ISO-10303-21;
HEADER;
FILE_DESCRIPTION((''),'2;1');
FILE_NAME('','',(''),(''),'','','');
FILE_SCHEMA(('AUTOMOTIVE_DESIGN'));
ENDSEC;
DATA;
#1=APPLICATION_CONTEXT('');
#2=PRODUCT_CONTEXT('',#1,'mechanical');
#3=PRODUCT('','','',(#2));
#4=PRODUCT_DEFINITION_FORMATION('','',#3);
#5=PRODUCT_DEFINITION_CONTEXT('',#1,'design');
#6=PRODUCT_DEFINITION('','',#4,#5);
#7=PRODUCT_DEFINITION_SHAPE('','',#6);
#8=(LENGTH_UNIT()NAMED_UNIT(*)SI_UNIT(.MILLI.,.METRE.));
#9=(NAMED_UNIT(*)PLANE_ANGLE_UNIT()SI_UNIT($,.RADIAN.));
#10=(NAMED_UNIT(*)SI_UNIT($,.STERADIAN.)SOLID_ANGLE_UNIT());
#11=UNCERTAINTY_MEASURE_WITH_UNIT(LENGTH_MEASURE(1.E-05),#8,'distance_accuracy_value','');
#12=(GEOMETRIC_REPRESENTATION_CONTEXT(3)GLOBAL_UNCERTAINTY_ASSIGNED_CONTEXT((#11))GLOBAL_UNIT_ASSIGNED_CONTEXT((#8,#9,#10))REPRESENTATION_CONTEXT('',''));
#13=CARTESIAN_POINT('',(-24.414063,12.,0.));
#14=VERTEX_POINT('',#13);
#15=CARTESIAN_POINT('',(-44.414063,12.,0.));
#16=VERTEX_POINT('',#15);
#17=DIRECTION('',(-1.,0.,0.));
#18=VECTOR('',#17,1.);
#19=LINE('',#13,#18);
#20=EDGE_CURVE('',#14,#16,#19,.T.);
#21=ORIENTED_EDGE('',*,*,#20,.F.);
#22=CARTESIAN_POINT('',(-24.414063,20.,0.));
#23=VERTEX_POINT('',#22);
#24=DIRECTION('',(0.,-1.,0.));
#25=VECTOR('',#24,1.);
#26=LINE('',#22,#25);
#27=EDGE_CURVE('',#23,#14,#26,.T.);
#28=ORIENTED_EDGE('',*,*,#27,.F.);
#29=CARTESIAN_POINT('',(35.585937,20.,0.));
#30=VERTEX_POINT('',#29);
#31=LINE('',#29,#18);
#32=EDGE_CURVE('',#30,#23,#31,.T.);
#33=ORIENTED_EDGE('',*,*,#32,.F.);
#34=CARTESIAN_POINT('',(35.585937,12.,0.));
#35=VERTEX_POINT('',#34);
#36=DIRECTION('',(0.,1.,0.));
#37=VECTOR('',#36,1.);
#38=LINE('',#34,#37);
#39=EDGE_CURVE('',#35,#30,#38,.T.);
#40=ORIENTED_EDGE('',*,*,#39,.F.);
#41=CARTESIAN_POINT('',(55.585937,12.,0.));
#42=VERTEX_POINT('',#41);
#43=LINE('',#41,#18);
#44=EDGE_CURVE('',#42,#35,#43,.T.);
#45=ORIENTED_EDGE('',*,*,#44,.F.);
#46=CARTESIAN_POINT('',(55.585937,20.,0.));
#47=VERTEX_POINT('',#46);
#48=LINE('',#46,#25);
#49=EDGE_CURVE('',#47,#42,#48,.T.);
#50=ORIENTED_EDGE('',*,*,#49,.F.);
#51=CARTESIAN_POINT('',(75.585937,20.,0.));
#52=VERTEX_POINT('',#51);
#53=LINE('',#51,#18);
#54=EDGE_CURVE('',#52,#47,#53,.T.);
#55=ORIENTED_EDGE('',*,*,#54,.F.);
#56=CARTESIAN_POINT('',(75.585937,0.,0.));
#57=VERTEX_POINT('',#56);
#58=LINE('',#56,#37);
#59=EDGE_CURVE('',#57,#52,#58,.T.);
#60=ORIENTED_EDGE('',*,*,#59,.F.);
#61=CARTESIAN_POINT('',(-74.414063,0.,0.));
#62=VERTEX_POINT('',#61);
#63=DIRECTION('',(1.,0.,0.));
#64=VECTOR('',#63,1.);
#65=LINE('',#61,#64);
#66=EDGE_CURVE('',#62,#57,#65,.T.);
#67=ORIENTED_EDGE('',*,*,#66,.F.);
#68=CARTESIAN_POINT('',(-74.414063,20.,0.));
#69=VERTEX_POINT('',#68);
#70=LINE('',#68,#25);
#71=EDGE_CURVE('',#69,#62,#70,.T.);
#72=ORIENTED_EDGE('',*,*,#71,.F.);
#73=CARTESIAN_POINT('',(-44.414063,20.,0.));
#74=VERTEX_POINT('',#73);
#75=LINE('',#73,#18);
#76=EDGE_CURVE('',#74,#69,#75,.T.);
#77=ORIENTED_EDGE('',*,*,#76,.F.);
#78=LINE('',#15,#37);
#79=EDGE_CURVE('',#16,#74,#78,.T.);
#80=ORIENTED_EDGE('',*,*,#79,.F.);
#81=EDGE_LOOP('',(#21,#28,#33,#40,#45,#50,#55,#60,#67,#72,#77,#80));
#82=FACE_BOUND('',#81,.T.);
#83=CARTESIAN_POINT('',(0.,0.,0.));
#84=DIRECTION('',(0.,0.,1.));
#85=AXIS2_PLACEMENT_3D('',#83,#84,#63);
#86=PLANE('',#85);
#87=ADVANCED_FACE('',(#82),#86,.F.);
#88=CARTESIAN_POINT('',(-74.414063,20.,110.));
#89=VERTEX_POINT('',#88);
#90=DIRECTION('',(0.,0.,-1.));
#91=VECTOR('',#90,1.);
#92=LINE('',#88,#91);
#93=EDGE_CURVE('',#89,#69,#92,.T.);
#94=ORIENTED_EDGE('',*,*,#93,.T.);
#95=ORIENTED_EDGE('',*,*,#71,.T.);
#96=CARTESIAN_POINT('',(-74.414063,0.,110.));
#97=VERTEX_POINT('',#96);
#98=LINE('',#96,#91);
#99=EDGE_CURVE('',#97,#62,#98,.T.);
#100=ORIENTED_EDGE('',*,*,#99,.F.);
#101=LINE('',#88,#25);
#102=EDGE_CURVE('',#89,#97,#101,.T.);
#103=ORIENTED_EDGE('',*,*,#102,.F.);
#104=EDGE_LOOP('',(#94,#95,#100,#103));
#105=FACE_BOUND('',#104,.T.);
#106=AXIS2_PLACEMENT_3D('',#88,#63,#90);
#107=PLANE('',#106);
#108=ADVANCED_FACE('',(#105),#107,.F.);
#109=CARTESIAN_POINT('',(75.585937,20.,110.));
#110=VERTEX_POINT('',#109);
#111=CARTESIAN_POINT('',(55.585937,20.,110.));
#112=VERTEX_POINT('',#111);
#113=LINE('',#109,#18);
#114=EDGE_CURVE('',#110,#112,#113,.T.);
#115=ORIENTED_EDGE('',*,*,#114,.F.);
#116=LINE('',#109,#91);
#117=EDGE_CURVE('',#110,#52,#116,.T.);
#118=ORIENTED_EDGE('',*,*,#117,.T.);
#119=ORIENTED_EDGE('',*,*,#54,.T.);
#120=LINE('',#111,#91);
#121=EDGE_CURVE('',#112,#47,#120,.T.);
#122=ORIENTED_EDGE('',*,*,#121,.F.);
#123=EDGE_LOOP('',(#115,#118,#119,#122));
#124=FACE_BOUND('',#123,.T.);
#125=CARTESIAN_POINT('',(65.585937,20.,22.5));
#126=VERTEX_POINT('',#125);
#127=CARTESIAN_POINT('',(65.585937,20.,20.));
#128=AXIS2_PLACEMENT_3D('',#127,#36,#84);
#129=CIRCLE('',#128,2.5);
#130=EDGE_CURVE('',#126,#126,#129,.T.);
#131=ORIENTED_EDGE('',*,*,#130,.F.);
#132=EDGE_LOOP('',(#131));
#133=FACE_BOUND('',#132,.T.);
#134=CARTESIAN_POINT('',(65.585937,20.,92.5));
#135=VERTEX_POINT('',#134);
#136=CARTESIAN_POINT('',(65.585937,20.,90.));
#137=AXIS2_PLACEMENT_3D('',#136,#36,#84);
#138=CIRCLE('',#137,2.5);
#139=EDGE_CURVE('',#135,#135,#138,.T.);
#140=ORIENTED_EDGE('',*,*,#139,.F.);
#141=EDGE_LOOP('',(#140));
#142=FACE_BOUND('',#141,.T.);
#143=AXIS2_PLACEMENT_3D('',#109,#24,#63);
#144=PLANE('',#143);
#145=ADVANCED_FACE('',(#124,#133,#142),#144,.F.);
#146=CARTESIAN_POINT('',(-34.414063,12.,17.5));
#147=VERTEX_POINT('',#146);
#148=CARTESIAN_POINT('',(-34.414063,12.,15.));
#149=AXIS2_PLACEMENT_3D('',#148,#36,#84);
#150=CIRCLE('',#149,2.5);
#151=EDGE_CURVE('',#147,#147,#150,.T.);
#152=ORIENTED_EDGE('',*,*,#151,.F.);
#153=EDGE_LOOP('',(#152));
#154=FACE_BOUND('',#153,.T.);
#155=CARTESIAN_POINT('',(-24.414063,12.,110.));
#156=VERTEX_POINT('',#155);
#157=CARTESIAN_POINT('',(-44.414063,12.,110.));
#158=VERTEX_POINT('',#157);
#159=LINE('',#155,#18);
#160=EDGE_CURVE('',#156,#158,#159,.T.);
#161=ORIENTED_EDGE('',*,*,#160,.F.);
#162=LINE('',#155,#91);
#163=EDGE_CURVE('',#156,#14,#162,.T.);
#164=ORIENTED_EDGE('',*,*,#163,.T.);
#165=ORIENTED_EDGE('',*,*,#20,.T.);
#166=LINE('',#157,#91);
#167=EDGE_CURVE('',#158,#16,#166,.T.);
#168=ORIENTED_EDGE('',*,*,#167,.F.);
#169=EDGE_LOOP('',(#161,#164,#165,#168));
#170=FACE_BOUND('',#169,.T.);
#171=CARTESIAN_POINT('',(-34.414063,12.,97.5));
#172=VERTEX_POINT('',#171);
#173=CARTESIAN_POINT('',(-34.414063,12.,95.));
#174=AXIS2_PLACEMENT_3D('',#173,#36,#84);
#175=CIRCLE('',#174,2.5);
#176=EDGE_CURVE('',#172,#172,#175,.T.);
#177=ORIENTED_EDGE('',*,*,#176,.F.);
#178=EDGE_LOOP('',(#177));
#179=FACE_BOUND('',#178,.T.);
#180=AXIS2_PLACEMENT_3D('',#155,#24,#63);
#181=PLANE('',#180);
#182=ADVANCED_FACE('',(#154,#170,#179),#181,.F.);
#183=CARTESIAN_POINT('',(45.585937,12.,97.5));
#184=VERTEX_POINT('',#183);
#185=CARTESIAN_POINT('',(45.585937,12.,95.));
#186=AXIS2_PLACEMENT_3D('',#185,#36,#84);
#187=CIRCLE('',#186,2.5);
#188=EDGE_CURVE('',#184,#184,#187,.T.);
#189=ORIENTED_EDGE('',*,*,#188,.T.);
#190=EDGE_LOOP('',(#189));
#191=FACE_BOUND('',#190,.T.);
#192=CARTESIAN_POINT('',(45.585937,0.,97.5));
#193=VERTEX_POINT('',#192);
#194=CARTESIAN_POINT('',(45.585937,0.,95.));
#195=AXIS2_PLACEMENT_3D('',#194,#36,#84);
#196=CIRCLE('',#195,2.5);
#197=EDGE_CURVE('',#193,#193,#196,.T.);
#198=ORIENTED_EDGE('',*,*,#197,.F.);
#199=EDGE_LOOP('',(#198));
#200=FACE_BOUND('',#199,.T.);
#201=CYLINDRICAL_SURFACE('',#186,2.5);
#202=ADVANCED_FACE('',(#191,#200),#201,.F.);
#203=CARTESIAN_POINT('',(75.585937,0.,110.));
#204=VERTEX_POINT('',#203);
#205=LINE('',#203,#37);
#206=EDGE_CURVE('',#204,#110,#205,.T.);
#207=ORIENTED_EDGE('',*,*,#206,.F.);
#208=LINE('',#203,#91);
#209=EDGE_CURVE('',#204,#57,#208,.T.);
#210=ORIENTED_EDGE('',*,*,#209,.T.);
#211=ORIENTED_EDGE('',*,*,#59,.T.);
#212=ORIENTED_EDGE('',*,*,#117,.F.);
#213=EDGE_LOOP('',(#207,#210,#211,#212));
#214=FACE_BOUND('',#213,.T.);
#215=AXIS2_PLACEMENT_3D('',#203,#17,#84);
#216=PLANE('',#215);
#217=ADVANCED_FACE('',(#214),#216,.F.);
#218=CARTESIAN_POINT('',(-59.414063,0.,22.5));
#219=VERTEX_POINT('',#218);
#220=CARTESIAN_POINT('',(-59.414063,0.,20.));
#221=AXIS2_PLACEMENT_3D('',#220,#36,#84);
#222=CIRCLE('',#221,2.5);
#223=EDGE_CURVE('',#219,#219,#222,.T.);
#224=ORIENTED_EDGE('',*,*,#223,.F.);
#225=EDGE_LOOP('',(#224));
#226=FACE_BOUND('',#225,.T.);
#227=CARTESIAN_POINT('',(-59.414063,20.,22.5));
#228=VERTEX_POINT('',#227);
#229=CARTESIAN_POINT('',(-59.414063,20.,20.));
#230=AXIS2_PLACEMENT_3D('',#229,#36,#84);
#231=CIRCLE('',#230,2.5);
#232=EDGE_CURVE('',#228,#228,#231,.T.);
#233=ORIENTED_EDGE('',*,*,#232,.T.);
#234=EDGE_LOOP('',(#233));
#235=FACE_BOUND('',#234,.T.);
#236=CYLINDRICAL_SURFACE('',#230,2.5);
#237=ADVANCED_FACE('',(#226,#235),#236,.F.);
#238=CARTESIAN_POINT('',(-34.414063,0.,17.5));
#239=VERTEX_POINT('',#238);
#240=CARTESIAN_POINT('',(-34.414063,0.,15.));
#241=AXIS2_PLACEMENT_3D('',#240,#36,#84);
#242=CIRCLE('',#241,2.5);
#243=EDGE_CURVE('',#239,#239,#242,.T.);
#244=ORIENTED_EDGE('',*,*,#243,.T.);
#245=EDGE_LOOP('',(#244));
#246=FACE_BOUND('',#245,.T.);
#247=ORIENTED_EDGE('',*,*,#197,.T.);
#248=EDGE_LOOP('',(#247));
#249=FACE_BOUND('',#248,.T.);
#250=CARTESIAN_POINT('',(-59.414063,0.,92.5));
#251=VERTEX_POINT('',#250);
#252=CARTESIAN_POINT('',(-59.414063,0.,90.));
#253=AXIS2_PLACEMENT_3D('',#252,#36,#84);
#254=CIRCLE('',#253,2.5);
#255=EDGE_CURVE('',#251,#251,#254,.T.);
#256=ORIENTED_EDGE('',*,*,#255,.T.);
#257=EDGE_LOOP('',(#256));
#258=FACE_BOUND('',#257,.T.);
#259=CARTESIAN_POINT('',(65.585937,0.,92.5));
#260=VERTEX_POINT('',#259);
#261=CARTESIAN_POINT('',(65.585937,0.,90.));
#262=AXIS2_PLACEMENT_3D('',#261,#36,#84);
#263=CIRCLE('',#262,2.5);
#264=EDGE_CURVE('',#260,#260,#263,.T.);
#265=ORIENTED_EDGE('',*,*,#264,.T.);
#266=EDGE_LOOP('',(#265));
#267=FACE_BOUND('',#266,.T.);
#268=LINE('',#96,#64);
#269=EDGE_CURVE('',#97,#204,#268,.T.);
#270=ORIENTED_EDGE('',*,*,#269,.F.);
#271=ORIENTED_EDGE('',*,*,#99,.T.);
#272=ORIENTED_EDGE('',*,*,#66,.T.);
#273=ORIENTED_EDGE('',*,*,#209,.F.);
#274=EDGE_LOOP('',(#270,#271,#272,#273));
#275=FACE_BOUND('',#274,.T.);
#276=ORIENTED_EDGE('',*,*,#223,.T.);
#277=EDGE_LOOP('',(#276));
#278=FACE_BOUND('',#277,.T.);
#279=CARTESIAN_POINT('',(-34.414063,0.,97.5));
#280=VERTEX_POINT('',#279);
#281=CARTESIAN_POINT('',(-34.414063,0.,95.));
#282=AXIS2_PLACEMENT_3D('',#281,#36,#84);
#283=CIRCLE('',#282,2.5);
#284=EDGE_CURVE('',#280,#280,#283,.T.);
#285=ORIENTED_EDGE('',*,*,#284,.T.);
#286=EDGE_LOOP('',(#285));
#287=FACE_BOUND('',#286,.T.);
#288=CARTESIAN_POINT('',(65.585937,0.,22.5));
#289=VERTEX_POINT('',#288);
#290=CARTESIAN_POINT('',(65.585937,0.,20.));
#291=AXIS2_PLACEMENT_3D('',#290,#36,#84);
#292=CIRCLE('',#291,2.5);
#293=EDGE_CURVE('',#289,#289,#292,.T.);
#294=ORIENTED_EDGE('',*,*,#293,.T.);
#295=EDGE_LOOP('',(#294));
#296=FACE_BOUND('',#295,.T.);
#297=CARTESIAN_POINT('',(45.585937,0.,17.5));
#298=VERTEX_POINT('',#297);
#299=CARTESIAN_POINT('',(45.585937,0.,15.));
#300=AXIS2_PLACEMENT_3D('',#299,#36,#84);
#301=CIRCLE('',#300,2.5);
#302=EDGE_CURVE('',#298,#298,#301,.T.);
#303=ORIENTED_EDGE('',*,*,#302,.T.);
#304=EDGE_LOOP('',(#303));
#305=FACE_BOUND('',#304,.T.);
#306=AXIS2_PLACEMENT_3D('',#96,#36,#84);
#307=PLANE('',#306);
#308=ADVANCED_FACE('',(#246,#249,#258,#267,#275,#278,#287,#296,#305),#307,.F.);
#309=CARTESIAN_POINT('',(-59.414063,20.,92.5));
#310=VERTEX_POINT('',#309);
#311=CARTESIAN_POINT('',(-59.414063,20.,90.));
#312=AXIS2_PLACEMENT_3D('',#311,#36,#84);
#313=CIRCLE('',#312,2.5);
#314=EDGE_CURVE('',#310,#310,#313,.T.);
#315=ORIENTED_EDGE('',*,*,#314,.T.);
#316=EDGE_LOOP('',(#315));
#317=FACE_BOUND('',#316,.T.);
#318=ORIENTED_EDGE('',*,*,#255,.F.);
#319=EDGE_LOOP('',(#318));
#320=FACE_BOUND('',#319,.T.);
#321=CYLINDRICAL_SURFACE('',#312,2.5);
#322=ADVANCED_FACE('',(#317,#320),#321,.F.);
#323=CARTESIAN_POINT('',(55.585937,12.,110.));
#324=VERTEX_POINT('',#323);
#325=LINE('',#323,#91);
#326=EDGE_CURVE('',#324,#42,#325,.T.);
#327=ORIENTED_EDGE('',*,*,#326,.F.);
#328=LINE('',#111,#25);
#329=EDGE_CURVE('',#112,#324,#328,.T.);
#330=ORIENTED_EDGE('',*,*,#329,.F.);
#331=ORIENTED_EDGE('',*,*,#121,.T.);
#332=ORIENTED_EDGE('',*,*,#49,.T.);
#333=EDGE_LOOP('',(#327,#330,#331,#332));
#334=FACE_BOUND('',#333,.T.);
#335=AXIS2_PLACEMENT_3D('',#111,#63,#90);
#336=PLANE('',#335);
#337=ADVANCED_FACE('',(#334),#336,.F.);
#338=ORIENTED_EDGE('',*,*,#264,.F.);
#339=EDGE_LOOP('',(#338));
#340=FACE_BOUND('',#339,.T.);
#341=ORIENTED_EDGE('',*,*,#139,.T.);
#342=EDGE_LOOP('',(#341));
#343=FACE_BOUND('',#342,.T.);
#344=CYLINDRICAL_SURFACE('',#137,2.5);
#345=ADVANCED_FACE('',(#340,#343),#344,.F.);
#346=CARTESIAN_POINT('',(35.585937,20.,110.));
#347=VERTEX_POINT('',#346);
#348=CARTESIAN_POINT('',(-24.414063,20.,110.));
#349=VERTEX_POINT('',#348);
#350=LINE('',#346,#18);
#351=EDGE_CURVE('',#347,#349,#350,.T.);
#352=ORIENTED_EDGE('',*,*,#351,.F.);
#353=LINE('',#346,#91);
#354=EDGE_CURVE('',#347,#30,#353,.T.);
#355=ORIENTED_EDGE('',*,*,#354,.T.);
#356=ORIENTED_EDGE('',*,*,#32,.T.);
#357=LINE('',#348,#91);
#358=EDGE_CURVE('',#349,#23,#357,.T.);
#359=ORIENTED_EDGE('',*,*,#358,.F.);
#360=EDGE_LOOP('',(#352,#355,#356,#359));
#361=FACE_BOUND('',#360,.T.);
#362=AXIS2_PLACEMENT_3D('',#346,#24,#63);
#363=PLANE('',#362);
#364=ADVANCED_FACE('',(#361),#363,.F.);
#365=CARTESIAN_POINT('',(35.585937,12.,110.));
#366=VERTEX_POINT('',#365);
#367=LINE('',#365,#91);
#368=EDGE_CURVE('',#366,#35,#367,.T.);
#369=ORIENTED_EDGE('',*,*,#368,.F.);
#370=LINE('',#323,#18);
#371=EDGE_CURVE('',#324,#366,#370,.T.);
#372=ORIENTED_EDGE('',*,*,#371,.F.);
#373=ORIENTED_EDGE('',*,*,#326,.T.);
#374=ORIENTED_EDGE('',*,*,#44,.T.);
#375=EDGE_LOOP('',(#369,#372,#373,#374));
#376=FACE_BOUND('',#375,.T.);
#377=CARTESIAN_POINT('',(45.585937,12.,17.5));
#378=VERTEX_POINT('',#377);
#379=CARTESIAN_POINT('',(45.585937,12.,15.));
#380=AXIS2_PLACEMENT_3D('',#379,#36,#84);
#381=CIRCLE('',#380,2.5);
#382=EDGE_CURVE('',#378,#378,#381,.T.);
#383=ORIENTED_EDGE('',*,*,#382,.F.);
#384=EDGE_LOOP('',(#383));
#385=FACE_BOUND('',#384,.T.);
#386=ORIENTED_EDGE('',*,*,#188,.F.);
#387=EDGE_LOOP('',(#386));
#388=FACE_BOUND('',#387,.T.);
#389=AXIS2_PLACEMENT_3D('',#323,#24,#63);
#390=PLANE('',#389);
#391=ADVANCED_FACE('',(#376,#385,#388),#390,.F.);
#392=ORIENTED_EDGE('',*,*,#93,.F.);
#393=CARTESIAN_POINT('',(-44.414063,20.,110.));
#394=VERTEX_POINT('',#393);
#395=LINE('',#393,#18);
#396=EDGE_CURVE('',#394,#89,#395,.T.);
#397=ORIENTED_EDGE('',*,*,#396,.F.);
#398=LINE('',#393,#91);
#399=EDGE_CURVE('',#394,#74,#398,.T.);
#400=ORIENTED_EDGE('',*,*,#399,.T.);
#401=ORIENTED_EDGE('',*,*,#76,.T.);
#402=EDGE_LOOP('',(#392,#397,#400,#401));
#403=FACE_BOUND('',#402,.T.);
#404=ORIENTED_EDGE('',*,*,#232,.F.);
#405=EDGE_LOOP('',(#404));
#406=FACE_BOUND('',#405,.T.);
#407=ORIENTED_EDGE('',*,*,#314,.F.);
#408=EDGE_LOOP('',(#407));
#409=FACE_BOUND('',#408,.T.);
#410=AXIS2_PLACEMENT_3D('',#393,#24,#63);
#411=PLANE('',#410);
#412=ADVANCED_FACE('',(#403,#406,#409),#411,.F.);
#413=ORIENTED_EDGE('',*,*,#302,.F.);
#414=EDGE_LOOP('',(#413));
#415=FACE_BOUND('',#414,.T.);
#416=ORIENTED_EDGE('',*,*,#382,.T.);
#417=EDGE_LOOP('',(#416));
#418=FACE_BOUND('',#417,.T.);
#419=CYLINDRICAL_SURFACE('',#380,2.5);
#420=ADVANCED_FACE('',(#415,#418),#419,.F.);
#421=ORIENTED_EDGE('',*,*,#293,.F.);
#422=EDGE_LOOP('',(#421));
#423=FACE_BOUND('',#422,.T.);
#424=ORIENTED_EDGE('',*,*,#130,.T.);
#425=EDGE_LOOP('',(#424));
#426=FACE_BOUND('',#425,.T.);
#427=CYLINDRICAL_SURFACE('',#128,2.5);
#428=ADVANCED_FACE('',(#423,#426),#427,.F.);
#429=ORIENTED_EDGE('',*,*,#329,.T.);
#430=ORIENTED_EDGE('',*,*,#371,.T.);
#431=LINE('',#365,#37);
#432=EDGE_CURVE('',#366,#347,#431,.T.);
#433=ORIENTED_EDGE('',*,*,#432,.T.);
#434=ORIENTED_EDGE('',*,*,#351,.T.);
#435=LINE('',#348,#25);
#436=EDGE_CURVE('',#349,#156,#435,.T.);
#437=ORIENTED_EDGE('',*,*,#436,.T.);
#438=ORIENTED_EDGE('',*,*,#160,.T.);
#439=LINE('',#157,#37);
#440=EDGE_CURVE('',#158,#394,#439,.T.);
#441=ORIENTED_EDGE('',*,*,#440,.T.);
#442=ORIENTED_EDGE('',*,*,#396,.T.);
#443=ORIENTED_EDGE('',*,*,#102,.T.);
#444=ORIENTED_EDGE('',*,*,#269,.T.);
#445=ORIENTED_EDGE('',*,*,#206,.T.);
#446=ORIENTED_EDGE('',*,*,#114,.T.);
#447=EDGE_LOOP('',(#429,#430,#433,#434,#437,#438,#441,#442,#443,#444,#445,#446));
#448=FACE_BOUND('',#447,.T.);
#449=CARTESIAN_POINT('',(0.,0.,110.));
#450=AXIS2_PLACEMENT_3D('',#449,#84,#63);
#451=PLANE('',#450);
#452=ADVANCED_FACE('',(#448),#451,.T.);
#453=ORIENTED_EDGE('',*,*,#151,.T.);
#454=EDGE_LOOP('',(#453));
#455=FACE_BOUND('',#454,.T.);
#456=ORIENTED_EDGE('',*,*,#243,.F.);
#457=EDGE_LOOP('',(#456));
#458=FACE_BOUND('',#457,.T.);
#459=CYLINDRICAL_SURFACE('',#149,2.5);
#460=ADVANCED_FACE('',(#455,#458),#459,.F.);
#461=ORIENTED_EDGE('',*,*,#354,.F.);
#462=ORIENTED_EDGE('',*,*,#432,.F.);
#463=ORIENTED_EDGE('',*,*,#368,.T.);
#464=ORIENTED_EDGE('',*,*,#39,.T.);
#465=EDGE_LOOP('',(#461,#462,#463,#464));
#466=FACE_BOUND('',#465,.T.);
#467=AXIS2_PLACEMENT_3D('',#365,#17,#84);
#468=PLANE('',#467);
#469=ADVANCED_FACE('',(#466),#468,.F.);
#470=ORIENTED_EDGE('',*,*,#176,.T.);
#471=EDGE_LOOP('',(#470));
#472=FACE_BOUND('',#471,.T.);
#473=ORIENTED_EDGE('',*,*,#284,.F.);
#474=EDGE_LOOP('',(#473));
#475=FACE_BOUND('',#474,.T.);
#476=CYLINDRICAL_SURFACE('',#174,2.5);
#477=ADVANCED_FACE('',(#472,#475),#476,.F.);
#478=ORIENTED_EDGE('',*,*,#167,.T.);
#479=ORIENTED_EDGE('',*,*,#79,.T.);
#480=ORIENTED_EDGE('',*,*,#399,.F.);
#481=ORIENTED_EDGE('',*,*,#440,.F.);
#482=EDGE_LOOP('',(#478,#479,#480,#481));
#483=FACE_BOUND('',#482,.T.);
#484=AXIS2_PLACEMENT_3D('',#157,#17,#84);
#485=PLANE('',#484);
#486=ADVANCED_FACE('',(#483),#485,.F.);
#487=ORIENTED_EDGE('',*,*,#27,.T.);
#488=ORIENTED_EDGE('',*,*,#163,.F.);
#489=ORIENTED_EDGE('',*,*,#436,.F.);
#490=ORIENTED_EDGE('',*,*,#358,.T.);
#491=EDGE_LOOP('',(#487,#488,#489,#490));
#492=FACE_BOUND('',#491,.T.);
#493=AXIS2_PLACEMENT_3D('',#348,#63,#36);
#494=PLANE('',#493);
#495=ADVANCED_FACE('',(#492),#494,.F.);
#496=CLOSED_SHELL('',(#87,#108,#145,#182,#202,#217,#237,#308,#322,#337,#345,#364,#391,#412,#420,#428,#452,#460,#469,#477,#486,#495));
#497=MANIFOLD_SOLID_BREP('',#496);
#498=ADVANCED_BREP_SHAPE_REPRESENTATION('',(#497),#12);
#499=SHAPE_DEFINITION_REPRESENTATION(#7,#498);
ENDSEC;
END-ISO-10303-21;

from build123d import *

# Parameters (mm, degrees)
BOSS_EXTRUDE1_DEPTH       = 110
F_5_0MM_DOWEL_HOLE1_D     = 5
F_5_0MM_DOWEL_HOLE2_D     = 5
F_5_0MM_DOWEL_HOLE2_DEPTH = 12


with BuildPart() as part:
    # Sketch1 → Boss-Extrude1 (new body)
    with BuildSketch(Plane.XY):
        Polygon((-74.4140625, 0), (75.5859375, 0), (75.5859375, 20), (55.5859375, 20), (55.5859375, 12), (35.5859375, 12), (35.5859375, 20), (-24.4140625, 20), (-24.4140625, 12), (-44.4140625, 12), (-44.4140625, 20), (-74.4140625, 20), align=None)
    extrude(amount=BOSS_EXTRUDE1_DEPTH)

    # Ø5.0mm Dowel Hole1 (through all)
    with Locations(Plane(origin=(-59.4140625, 20, 20), x_dir=(1, 0, 0), z_dir=(0, 1, 0))):
        with Locations((0, 0), (0, -70), (125, 0), (125, -70)):
            Hole(F_5_0MM_DOWEL_HOLE1_D / 2)

    # Ø5.0mm Dowel Hole2
    with Locations(Plane(origin=(-34.4140625, 12, 15), x_dir=(1, 0, 0), z_dir=(0, 1, 0))):
        with Locations((0, 0), (0, -80), (80, 0), (80, -80)):
            Hole(F_5_0MM_DOWEL_HOLE2_D / 2, depth=F_5_0MM_DOWEL_HOLE2_DEPTH)


solid = part.part
